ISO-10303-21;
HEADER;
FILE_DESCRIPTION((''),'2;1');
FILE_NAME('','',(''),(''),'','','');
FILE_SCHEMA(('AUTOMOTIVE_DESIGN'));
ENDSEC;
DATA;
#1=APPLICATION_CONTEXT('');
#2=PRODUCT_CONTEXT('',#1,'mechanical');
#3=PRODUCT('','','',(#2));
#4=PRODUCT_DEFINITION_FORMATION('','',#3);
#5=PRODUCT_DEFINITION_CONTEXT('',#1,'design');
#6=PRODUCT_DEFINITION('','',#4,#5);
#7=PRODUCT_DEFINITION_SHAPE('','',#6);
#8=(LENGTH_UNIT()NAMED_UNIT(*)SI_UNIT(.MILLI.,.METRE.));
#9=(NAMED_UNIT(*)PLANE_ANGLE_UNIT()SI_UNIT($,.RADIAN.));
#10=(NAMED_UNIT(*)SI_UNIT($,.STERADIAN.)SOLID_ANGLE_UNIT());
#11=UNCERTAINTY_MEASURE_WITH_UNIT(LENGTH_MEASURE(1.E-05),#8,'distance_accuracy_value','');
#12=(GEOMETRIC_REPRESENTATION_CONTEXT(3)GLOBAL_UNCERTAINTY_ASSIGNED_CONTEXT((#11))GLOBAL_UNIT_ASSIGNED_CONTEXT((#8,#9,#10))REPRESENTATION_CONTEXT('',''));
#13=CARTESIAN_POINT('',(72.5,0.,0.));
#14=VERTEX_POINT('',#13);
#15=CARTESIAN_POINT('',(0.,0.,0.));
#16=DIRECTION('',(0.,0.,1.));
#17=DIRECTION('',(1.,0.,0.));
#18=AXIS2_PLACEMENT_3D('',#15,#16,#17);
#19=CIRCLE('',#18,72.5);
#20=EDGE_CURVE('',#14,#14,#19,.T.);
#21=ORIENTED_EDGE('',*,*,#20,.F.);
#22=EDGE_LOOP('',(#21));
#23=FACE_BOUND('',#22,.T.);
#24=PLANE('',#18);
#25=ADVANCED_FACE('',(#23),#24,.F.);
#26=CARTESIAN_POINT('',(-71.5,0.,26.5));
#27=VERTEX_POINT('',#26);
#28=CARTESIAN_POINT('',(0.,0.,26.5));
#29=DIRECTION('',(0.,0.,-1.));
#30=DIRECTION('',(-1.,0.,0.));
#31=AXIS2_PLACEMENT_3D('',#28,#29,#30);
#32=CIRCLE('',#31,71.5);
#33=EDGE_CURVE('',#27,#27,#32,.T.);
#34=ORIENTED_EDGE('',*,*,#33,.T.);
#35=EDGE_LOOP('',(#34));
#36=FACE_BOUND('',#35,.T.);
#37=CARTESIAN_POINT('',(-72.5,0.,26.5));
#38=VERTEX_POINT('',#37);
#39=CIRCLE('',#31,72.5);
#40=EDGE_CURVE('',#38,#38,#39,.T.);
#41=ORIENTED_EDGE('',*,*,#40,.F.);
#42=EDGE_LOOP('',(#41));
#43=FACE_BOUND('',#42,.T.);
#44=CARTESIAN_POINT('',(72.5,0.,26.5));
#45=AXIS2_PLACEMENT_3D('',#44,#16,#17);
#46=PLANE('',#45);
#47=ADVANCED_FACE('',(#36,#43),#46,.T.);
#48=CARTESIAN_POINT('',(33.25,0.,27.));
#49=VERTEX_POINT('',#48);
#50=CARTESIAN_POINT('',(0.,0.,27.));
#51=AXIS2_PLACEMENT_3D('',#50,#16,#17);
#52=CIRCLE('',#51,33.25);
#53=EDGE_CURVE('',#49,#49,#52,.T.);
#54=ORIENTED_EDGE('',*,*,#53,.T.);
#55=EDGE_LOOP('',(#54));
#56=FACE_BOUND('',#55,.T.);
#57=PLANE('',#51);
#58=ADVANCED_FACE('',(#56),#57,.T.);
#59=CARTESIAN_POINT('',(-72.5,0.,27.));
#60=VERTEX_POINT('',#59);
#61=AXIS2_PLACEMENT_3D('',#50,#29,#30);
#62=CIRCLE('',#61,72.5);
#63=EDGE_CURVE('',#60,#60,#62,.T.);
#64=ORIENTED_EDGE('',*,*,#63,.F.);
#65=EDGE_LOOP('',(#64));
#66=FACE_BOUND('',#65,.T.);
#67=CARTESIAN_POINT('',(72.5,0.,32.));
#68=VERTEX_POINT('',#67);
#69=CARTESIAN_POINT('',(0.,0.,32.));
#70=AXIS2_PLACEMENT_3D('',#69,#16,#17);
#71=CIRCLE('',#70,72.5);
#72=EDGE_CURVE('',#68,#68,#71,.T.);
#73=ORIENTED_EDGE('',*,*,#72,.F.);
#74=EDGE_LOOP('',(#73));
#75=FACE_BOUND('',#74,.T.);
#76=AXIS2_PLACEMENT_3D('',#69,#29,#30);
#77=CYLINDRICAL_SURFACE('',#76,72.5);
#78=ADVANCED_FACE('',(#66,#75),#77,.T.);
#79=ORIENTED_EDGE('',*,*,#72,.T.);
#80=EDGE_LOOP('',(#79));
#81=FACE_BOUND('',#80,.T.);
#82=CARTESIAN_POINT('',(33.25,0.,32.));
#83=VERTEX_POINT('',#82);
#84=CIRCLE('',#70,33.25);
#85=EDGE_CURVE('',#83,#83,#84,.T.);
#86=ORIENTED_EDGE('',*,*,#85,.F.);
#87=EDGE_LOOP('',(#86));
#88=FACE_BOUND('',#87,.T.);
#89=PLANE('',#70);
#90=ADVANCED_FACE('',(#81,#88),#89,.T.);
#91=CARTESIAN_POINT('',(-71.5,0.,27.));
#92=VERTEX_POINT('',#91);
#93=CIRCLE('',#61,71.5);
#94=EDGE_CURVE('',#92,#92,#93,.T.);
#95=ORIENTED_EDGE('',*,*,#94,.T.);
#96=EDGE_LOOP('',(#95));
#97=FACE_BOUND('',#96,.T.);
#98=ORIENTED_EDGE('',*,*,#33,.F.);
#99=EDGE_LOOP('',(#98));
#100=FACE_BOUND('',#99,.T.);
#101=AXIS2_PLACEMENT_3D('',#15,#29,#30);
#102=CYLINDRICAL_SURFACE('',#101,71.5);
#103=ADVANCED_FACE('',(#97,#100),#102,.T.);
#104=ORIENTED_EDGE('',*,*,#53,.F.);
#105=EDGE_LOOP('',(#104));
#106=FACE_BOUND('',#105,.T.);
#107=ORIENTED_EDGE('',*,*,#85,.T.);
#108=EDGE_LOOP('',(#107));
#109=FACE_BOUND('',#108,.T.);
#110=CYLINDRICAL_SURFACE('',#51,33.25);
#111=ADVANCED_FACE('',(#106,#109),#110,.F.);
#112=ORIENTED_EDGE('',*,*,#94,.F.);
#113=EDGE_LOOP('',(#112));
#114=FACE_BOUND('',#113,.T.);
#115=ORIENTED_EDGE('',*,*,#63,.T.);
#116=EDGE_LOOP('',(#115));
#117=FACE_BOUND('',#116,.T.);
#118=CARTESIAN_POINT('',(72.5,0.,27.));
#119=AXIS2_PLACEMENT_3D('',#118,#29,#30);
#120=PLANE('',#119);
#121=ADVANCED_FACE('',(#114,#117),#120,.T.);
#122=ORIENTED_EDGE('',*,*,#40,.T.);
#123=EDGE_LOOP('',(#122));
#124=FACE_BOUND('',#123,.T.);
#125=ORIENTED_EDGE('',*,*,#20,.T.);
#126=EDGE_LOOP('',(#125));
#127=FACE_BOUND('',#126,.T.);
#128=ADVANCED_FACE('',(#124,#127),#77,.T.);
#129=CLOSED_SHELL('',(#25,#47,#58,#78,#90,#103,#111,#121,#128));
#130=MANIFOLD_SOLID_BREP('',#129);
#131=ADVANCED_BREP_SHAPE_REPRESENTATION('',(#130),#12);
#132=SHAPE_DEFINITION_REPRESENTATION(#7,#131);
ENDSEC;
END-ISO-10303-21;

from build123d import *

# Parameters (mm, degrees)
SKIZZE2_R         = 72.5
BASE_DEPTH        = 32
SKIZZE3_W         = 1
SKIZZE3_H         = 0.5
SKIZZE4_R         = 33.25
LIDAR_SPACE_DEPTH = 5


with BuildPart() as part:
    # Skizze2 → Base (new body)
    with BuildSketch(Plane.XY):
        Circle(SKIZZE2_R)
    extrude(amount=BASE_DEPTH)

    # Skizze3 → Cover Seam (revolve, cut)
    with BuildSketch(Plane(origin=(0, 0, 0), x_dir=(1, 0, 0), z_dir=(0, 1, 0)), mode=Mode.PRIVATE) as cover_seam_sk:
        with Locations((72, -26.75)):
            Rectangle(SKIZZE3_W, SKIZZE3_H)
    revolve(cover_seam_sk.sketch.rotate(Axis((0, 0, 0), (0, 0, 1)), 180), axis=Axis((0, 0, 0), (0, 0, 1)), mode=Mode.SUBTRACT)

    # Skizze4 → Lidar Space (cut)
    with BuildSketch(Plane.XY.offset(32)):
        Circle(SKIZZE4_R)
    extrude(amount=-LIDAR_SPACE_DEPTH, mode=Mode.SUBTRACT)


solid = part.part
